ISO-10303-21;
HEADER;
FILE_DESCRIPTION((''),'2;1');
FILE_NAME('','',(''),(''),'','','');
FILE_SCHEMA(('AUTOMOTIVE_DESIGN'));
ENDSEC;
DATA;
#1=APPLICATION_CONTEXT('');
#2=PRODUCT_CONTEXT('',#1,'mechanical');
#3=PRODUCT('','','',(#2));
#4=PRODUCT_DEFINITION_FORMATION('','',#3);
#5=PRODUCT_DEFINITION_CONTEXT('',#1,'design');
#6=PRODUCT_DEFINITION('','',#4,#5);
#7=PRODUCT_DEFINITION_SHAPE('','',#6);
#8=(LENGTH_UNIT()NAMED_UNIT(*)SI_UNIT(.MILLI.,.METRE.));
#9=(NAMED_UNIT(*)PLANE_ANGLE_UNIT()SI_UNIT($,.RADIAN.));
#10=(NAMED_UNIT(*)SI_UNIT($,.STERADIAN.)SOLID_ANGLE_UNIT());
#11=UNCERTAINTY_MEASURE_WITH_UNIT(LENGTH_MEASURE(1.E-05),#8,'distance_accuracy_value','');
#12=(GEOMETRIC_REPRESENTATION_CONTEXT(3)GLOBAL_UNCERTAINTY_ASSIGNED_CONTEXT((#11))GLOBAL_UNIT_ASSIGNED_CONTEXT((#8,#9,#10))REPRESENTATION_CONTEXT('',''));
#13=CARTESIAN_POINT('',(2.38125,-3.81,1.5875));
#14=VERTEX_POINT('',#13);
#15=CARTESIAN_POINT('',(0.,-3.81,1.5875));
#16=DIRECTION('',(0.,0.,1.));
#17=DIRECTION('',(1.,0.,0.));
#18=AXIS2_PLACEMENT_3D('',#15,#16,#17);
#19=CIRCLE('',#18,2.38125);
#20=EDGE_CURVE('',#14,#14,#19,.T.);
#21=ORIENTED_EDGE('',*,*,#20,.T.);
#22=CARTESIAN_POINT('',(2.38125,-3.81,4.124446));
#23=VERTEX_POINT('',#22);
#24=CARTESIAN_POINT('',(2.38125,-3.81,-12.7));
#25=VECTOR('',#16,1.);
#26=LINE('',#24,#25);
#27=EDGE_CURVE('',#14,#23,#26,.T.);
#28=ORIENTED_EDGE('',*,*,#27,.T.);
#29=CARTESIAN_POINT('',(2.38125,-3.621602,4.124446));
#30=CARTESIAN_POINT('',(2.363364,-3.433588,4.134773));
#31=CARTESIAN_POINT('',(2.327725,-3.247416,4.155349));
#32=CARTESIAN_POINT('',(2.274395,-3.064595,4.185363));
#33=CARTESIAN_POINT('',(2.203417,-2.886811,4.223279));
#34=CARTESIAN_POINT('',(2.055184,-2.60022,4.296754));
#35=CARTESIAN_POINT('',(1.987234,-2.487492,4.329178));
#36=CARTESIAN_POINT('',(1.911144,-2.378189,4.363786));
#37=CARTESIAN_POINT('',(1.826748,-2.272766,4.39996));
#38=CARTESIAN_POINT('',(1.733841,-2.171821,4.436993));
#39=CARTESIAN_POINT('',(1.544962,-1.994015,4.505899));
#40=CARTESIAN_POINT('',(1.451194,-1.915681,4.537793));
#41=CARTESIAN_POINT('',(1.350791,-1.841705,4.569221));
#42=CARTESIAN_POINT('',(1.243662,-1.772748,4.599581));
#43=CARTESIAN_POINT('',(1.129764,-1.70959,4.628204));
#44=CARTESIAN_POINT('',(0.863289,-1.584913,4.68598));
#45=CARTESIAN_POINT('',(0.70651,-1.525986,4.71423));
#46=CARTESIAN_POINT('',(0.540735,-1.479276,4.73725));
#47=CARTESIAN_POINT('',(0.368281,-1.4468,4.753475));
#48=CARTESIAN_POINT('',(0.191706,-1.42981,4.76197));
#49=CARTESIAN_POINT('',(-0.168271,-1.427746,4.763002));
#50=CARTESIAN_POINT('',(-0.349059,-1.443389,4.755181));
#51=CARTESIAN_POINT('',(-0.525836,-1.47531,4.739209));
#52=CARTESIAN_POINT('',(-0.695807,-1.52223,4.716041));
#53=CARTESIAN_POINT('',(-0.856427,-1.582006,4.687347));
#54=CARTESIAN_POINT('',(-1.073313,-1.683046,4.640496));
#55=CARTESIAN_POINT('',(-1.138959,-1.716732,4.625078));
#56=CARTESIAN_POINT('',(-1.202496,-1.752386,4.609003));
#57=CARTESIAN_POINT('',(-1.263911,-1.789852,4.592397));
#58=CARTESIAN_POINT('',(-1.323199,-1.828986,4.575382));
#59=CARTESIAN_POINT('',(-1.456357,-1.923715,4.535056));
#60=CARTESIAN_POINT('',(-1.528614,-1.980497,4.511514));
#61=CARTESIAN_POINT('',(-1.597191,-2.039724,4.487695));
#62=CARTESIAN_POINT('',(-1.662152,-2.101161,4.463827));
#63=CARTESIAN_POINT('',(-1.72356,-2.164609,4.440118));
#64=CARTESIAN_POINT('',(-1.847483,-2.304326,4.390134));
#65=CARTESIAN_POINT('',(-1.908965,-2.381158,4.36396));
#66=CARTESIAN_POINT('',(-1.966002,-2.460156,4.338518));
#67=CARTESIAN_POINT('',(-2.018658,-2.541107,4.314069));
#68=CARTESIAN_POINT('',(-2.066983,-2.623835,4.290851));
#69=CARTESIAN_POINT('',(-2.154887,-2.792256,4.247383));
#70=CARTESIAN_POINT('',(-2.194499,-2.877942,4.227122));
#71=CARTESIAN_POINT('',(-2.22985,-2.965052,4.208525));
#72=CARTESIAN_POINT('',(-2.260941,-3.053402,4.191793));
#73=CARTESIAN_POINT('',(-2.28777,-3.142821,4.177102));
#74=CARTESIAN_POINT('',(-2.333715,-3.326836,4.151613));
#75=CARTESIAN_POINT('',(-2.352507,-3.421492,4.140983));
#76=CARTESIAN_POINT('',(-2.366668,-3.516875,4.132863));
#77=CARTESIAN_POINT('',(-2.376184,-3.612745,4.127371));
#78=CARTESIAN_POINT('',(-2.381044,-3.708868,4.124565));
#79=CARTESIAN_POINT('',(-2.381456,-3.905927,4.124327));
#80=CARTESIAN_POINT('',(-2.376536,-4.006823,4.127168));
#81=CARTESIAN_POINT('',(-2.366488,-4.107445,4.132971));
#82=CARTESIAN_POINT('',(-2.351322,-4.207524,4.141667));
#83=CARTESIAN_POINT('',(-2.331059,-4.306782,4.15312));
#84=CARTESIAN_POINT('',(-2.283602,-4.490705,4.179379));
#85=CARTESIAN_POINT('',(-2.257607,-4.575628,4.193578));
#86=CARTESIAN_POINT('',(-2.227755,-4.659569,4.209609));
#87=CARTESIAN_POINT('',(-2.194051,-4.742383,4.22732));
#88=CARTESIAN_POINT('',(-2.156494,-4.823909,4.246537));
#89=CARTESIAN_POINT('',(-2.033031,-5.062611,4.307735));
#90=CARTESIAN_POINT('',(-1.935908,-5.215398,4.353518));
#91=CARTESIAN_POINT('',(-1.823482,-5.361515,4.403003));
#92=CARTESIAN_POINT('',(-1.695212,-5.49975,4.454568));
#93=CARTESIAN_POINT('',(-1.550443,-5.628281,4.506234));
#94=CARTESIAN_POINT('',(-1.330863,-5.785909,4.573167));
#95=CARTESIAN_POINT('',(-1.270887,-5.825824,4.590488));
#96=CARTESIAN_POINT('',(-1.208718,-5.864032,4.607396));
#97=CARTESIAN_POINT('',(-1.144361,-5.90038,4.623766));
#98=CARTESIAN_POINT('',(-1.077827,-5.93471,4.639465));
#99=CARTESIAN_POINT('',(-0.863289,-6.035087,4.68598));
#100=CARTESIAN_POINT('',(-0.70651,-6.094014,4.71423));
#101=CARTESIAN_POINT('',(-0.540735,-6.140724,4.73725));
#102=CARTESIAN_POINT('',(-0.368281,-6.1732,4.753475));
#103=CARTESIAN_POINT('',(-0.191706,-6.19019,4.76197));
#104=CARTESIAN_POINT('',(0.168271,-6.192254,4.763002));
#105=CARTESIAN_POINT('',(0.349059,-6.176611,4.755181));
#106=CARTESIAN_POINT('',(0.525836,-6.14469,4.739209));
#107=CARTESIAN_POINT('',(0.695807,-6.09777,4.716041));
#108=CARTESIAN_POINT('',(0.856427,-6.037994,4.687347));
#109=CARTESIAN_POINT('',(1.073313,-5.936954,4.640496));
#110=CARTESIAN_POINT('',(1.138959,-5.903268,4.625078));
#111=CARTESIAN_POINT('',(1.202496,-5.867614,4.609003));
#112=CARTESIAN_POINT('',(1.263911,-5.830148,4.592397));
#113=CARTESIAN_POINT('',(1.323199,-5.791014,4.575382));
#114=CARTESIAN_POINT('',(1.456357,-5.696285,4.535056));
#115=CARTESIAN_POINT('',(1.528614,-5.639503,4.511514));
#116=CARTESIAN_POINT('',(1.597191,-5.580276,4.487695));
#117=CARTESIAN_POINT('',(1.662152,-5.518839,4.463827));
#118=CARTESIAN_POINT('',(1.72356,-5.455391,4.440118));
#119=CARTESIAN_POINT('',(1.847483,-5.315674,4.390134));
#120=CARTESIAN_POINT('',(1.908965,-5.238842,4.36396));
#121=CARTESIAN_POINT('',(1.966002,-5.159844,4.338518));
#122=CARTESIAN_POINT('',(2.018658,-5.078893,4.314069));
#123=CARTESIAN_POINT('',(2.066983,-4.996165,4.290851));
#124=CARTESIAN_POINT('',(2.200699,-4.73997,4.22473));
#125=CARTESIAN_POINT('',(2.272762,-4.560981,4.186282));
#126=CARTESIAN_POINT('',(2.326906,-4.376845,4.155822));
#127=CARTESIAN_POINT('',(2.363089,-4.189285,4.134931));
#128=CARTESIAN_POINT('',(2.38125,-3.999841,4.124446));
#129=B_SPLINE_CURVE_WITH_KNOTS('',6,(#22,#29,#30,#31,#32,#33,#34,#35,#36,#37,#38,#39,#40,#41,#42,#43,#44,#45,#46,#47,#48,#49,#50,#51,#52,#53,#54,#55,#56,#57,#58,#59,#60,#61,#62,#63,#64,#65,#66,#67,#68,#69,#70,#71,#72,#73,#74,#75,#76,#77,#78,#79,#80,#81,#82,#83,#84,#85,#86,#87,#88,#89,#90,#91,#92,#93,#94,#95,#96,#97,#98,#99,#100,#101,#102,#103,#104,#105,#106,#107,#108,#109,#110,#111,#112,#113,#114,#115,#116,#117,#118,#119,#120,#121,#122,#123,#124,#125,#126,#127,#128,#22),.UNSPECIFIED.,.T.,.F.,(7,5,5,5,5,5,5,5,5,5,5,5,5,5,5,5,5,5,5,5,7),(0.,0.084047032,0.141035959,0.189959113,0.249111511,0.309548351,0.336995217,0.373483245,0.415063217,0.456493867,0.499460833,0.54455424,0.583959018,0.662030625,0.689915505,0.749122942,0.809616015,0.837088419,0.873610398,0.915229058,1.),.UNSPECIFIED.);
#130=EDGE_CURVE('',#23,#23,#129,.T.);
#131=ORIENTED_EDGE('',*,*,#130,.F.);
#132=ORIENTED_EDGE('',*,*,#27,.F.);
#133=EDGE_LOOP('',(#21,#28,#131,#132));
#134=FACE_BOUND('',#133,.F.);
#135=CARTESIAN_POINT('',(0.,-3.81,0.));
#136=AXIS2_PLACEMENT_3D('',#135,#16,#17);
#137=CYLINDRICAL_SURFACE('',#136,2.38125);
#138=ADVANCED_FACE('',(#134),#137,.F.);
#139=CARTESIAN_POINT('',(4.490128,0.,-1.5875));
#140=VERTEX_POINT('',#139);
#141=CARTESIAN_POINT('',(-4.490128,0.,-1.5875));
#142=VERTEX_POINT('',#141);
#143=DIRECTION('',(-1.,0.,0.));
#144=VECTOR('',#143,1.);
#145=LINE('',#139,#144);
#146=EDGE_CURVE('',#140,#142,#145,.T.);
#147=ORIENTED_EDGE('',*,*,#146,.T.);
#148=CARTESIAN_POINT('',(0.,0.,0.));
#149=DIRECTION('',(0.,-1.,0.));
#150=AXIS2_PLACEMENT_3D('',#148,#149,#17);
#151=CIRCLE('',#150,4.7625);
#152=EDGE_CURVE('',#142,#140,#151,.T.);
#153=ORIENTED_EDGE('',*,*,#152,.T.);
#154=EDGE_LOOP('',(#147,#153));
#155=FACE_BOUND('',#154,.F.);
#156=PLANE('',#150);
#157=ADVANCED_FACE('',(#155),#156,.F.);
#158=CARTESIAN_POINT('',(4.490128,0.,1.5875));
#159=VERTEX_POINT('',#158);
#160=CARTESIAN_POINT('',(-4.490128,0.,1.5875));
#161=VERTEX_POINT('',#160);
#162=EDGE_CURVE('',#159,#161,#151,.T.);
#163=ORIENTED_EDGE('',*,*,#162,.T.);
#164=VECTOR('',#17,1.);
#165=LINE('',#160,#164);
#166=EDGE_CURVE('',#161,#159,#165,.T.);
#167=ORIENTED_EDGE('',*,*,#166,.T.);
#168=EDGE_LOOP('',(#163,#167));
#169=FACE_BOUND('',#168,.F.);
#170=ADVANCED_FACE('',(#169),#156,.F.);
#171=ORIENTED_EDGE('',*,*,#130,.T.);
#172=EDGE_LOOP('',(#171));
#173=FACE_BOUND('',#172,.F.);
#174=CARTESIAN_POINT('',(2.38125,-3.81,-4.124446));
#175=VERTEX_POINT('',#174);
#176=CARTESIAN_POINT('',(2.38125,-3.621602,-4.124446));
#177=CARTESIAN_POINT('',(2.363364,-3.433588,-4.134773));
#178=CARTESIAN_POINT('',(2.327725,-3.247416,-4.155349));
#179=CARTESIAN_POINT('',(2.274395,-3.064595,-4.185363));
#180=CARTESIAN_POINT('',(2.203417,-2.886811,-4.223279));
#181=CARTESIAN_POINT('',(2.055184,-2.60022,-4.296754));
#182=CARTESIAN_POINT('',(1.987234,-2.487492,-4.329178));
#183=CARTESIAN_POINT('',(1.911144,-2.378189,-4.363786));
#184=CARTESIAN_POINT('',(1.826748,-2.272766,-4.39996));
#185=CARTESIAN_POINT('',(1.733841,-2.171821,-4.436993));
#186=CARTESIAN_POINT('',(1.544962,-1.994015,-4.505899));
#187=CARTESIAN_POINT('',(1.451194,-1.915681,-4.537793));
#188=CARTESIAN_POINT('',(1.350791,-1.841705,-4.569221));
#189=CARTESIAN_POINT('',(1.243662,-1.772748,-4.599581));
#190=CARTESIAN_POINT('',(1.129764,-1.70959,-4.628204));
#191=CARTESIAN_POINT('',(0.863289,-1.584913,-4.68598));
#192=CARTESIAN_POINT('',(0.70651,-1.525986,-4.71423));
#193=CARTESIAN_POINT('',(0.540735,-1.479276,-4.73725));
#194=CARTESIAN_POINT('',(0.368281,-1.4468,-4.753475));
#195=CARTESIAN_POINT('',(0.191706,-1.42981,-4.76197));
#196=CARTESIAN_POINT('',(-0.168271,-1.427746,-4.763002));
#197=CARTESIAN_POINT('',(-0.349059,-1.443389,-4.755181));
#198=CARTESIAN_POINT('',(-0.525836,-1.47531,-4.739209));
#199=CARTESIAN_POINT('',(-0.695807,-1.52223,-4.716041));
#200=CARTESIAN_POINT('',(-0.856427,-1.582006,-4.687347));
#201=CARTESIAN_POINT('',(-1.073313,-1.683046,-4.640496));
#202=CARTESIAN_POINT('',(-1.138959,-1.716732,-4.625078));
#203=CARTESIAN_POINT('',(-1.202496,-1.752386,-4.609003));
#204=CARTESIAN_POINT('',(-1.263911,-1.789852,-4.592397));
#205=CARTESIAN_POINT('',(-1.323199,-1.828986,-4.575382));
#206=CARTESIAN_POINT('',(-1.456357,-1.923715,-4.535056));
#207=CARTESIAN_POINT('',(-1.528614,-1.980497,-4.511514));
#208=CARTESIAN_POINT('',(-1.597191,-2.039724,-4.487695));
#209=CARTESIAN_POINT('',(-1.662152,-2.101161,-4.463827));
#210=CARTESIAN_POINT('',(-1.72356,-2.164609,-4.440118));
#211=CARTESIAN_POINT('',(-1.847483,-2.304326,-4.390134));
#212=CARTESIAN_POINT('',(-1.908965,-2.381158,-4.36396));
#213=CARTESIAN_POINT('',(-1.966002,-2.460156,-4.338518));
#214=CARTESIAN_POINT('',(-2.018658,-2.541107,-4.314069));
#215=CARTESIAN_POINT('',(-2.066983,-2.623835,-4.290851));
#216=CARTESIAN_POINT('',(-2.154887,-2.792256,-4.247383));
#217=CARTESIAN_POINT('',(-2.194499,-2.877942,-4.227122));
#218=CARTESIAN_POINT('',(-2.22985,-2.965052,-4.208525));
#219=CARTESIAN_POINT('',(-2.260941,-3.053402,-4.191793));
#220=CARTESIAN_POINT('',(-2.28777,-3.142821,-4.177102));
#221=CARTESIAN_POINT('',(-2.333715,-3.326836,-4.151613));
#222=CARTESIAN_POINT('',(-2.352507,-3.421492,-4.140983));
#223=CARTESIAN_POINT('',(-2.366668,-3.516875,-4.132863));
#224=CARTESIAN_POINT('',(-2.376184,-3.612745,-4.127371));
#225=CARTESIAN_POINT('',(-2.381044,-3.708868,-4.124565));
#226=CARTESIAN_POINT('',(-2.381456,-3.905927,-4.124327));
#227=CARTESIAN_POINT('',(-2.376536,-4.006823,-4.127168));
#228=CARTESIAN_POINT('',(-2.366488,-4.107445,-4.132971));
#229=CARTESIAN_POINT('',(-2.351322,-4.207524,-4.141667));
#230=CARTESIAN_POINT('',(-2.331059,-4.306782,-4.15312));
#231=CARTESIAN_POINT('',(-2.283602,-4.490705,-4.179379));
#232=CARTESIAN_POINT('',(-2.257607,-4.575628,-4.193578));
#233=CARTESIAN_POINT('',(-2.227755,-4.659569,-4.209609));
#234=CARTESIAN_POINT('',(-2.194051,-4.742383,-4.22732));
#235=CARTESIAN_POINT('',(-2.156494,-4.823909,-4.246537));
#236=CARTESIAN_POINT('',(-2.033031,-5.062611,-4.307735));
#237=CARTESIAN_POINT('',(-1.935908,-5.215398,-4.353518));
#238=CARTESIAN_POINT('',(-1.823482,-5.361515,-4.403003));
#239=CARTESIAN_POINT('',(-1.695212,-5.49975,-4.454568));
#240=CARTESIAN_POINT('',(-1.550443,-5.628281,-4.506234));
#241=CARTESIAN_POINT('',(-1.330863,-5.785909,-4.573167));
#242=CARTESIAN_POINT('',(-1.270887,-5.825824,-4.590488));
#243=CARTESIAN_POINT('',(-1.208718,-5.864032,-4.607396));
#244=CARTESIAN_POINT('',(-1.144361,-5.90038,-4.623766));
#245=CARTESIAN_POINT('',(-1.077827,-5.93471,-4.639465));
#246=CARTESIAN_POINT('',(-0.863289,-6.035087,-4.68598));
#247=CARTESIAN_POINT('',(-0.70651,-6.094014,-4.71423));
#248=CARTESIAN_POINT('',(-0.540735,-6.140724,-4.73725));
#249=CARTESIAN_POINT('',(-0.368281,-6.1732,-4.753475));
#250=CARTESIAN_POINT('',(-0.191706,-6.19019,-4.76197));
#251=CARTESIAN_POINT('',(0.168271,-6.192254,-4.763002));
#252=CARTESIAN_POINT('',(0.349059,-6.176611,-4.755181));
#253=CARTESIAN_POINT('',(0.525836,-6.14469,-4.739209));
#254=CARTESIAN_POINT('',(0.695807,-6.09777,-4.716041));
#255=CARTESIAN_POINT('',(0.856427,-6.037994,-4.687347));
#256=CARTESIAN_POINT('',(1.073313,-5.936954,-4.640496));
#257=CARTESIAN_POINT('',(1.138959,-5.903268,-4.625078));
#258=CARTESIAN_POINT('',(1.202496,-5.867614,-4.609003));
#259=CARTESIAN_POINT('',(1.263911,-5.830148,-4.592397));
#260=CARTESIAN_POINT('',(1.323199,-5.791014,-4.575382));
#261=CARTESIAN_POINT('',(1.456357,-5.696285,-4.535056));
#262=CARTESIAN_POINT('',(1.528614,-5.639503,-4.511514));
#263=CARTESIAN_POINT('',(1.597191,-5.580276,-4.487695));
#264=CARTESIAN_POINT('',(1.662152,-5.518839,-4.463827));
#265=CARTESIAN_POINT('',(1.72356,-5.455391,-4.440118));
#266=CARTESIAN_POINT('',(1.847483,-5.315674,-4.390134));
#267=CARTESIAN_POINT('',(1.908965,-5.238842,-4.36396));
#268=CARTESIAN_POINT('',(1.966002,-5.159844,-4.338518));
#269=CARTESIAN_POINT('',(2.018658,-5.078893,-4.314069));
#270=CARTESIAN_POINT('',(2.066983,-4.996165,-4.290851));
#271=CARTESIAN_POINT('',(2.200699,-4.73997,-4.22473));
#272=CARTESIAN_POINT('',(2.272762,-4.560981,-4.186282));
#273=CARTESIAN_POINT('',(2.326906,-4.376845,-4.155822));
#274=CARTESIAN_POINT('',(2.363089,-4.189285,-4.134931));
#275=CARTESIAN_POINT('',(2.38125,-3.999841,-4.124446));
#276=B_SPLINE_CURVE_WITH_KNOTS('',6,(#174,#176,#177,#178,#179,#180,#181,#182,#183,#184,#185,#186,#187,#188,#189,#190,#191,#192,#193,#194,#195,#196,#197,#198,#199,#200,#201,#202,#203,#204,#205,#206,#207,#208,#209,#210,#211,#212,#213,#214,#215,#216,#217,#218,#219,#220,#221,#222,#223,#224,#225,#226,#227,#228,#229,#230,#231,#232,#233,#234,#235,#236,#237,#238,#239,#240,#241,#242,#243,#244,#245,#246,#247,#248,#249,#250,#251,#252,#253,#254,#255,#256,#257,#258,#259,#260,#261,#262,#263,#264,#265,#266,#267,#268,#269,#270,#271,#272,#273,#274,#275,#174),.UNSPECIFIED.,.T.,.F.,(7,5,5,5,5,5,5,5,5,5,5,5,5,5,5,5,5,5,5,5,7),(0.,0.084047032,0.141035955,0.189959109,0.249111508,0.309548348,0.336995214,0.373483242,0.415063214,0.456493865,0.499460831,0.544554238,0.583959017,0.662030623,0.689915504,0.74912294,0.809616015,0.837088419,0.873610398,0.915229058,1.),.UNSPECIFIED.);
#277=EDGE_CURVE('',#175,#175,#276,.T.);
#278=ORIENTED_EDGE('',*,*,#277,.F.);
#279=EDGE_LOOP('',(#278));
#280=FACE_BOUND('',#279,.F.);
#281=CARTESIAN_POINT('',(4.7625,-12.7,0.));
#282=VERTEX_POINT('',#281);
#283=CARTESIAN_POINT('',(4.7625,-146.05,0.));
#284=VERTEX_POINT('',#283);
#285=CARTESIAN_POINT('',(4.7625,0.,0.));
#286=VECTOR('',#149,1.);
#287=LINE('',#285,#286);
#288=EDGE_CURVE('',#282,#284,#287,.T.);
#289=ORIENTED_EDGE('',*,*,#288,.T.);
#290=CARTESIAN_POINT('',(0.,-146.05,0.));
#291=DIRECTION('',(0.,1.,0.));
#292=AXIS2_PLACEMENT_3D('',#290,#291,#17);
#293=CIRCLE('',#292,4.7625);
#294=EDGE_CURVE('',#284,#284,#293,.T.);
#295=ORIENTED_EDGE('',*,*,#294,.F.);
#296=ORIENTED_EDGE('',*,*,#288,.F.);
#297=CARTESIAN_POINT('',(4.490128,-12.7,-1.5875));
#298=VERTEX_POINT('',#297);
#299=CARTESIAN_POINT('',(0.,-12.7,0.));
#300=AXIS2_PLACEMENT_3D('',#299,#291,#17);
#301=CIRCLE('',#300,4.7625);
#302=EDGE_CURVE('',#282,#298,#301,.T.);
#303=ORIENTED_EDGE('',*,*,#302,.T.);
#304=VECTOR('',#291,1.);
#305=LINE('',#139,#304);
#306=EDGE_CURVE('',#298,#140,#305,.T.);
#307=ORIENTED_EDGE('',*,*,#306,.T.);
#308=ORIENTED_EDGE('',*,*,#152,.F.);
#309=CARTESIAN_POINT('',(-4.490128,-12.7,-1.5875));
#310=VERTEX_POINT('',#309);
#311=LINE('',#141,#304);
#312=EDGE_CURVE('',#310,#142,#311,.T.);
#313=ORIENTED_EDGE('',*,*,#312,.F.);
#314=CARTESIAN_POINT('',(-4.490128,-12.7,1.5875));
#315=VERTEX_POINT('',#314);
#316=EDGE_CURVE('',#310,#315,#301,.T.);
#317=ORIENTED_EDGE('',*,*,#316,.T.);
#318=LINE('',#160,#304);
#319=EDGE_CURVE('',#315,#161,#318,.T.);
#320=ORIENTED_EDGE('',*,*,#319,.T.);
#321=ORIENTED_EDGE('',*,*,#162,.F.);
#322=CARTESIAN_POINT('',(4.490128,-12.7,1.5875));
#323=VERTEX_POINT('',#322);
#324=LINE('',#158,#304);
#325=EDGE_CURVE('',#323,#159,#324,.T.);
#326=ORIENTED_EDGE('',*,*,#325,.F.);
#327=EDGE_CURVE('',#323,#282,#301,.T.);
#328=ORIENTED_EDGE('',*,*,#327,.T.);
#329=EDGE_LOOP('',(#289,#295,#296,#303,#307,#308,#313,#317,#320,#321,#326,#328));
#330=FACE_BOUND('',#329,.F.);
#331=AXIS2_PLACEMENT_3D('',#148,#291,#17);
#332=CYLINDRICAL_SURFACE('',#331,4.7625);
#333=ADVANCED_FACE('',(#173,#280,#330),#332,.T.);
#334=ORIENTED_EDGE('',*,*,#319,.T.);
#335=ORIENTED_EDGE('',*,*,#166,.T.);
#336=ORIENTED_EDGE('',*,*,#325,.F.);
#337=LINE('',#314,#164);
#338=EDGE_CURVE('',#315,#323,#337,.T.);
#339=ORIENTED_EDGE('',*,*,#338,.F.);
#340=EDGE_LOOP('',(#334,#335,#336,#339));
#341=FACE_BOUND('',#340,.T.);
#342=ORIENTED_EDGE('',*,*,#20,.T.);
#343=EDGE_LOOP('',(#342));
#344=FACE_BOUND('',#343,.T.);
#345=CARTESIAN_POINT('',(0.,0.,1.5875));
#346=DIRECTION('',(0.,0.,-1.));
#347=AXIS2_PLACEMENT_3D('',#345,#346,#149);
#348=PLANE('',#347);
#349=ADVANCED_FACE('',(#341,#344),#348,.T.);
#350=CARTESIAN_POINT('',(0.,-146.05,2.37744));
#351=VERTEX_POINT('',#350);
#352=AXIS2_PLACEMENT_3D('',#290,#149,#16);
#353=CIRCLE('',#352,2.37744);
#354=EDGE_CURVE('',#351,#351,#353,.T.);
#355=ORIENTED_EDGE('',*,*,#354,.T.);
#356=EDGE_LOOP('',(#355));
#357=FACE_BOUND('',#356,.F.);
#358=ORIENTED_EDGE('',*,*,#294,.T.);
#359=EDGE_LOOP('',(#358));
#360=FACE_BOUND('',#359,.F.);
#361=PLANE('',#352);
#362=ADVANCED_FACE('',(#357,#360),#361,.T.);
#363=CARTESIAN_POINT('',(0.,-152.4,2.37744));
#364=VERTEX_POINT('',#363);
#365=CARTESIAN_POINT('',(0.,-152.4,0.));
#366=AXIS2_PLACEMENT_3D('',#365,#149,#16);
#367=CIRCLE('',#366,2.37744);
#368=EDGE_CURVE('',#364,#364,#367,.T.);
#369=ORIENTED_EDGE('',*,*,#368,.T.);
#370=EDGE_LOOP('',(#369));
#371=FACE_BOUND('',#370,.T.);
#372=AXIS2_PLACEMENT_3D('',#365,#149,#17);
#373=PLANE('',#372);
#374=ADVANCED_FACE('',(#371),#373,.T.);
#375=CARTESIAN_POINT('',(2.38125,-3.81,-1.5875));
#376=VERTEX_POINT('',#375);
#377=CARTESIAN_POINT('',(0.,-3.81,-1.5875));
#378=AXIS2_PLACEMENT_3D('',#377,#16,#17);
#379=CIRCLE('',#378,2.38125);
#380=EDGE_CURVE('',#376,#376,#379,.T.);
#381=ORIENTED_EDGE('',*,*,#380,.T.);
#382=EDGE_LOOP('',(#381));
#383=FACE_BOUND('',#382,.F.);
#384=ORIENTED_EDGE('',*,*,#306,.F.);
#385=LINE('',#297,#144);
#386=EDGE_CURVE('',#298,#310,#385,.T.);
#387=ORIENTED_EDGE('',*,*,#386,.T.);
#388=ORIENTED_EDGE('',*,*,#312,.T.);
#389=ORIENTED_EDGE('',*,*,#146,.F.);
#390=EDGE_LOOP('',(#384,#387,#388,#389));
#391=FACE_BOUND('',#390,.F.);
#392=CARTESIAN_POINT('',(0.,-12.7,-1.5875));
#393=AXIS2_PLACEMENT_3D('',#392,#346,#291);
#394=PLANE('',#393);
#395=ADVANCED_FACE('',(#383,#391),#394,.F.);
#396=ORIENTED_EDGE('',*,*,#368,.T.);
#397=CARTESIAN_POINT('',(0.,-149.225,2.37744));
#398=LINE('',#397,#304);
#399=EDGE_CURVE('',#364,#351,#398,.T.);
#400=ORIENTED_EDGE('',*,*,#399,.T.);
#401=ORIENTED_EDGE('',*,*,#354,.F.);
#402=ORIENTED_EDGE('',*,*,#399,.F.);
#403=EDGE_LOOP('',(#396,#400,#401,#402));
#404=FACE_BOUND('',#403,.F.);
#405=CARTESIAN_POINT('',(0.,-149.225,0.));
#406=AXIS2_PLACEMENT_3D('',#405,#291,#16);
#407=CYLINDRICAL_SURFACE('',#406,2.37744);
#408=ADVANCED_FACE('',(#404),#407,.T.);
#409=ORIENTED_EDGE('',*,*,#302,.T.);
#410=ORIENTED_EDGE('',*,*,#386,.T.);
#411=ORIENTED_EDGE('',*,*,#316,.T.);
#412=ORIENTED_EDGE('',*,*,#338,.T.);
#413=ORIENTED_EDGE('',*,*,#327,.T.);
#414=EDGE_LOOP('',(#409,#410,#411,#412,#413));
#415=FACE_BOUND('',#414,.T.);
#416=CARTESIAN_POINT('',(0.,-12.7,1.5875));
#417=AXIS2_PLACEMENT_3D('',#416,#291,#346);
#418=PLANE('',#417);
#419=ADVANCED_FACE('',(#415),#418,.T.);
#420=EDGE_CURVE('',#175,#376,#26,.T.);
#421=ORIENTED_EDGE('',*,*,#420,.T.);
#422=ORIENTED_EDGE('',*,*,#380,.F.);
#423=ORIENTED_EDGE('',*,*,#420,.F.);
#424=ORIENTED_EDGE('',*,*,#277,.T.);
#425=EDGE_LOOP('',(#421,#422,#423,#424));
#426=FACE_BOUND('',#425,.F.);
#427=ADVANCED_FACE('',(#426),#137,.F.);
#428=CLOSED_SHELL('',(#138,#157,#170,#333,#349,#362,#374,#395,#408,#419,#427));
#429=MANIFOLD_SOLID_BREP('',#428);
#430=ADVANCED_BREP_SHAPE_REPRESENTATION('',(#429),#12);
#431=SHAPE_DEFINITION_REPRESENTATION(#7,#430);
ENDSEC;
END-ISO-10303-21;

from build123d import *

# Parameters (mm, degrees)
F0_R          = 4.7625
F1_DEPTH      = 152.4
F2_W          = 6.35
F2_H          = 4.7452268491
F5_DEPTH      = 4.7635
F5_DEPTH_BACK = 4.7635
F6_R          = 2.38125
F7_DEPTH      = 12.7


with BuildPart() as f1:
    # F0 (on Front) → F1 (new body)
    with BuildSketch(Plane.XZ):
        Circle(F0_R)
    extrude(amount=F1_DEPTH)

    # F2 (on Right) → F3 (revolve, cut)
    with BuildSketch(Plane.YZ):
        with Locations((-149.225, 4.7500534246)):
            Rectangle(F2_W, F2_H)
    revolve(axis=Axis((0, -25.3480933607, 0), (0, -1, 0)), mode=Mode.SUBTRACT)

    # F4 (on Right) → F5 (cut, two sides)
    with BuildSketch(Plane.YZ) as f5_sk:
        Polygon((0, -1.5875), (0, 0), (0, 1.5875), (-12.7, 1.5875), (-12.7, 0), (-12.7, -1.5875), align=None)
    extrude(amount=-F5_DEPTH, mode=Mode.SUBTRACT)
    extrude(f5_sk.sketch, amount=F5_DEPTH_BACK, mode=Mode.SUBTRACT)

    # F6 (on Top) → F7 (cut, symmetric)
    with BuildSketch(Plane.XY):
        with Locations((0, -3.81)):
            Circle(F6_R)
    extrude(amount=F7_DEPTH, both=True, mode=Mode.SUBTRACT)


solid = f1.part
